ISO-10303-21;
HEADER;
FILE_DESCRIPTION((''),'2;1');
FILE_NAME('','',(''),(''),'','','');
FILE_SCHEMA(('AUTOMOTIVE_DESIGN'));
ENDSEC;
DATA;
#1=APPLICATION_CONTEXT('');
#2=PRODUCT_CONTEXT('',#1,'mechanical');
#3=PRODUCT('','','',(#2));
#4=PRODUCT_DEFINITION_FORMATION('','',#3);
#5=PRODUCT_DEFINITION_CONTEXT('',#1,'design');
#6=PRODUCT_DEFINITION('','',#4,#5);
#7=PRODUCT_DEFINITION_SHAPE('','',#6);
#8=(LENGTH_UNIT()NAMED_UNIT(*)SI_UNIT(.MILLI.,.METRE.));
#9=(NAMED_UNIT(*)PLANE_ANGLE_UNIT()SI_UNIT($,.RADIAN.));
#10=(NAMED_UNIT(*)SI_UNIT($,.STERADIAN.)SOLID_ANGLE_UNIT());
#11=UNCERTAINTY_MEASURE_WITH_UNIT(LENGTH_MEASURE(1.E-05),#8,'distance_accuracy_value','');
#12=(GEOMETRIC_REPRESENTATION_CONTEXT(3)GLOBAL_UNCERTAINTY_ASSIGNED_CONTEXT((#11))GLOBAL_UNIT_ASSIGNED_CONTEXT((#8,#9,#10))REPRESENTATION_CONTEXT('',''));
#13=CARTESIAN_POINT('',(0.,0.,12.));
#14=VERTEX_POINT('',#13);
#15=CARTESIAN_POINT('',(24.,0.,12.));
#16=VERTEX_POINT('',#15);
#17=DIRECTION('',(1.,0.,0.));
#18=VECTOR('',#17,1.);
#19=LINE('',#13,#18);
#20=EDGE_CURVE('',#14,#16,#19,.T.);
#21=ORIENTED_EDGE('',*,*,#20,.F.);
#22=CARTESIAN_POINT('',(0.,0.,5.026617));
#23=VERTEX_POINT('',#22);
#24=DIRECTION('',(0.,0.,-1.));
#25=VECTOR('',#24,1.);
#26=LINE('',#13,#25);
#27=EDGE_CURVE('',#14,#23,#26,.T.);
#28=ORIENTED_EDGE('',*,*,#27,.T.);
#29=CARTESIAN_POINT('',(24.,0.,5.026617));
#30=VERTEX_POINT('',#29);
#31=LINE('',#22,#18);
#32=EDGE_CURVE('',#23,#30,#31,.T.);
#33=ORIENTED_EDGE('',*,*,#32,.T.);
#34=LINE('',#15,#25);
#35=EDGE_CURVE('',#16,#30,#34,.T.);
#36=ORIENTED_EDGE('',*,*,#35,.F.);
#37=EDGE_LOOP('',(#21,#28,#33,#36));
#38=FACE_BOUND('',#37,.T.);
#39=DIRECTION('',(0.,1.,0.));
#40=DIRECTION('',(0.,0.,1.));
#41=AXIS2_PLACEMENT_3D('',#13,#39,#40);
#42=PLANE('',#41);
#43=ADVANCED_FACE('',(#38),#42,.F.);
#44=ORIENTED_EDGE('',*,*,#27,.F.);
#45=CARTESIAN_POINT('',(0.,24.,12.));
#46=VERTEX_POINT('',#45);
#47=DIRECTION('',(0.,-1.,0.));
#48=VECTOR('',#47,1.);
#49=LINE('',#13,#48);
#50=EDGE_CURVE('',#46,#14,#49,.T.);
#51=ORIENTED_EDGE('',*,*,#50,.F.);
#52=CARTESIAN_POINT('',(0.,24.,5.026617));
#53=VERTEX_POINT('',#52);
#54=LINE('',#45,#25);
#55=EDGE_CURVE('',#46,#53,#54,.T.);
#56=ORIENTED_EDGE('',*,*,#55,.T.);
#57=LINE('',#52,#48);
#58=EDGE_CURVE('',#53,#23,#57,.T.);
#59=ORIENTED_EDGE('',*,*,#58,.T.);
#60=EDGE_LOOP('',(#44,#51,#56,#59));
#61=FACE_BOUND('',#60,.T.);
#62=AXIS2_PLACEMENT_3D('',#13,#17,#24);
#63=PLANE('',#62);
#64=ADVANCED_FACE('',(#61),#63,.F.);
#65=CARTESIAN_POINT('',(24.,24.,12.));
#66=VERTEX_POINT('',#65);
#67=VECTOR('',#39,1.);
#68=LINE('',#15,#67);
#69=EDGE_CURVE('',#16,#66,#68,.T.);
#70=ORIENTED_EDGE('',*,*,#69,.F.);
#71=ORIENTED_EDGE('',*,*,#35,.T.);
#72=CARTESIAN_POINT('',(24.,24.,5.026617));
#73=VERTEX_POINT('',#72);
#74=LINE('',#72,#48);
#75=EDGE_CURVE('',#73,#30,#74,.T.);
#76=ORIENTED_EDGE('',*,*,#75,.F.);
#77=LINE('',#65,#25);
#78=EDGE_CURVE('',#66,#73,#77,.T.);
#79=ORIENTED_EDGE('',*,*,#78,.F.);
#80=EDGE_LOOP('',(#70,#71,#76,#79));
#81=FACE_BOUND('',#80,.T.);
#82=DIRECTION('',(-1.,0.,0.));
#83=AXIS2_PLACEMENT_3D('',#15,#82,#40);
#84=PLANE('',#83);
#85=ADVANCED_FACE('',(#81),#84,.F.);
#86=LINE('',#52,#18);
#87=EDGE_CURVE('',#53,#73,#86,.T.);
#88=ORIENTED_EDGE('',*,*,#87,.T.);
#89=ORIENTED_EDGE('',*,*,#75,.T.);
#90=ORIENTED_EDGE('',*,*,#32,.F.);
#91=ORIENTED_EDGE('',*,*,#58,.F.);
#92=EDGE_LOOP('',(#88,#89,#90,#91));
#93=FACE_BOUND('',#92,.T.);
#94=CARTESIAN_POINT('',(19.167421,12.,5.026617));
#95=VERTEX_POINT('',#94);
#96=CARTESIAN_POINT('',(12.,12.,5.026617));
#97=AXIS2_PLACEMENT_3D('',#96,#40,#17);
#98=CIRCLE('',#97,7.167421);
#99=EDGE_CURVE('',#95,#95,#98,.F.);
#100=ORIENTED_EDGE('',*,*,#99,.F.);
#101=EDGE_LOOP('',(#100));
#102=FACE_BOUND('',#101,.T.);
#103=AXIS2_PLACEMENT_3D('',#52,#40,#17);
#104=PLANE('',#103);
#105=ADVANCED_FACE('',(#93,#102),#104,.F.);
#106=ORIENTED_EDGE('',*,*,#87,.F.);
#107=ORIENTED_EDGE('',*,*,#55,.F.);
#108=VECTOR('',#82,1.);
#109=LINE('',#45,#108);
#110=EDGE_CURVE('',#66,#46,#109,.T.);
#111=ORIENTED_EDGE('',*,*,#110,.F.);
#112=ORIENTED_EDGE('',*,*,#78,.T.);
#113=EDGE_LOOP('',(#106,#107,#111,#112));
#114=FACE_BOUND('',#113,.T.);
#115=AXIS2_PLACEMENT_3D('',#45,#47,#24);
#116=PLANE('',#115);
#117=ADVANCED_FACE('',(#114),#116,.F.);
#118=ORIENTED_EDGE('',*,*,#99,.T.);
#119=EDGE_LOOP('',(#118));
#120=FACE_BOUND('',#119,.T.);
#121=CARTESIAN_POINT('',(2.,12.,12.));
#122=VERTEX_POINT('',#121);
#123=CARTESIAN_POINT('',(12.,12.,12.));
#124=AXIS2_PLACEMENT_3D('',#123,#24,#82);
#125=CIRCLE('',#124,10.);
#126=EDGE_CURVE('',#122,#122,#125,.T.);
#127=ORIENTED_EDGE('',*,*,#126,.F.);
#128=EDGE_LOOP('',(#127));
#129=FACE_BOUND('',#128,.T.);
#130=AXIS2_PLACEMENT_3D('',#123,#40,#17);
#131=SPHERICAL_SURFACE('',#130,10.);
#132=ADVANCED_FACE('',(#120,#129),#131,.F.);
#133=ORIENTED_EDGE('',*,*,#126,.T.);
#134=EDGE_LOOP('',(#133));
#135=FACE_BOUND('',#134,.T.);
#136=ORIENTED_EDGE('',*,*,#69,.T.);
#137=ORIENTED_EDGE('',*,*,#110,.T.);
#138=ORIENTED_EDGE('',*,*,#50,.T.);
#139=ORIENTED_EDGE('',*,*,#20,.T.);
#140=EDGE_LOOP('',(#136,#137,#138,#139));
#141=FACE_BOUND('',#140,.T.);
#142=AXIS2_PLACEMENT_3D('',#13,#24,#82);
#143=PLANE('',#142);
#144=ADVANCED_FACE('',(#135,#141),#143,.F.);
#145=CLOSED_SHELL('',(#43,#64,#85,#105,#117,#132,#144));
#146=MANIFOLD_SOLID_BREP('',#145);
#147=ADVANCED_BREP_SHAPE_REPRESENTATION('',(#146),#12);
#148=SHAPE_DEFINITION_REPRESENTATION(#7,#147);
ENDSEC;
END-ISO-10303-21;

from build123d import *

# Parameters (mm, degrees)
SKETCH2_W           = 24
SKETCH2_H           = 24
BOSS_EXTRUDE1_DEPTH = 12
CUT_EXTRUDE1_DEPTH  = 37


with BuildPart() as part:
    # Sketch2 → Boss-Extrude1 (new body)
    with BuildSketch(Plane.XY):
        with Locations((12, 12)):
            Rectangle(SKETCH2_W, SKETCH2_H)
    extrude(amount=BOSS_EXTRUDE1_DEPTH)

    # Sketch4 → Cut-Revolve1 (revolve, cut)
    with BuildSketch(Plane.XY.offset(12)):
        with BuildLine():
            Line((12, 22), (12, 2))
            ThreePointArc((12, 2), (2, 12), (12, 22))
        make_face()
    revolve(axis=Axis((12, 22, 12), (0, -1, 0)), mode=Mode.SUBTRACT)

    # Sketch6 → Cut-Extrude1 (cut, through all)
    with BuildSketch(Plane(origin=(24, 0, 0), x_dir=(0, 0, -1), z_dir=(1, 0, 0))):
        Polygon((0, 24), (-3.026616613, 24), (-5.026616613, 24), (-5.026616613, 0), (-3.026616613, 0), (0, 0), align=None)
    extrude(amount=-CUT_EXTRUDE1_DEPTH, mode=Mode.SUBTRACT)


solid = part.part
